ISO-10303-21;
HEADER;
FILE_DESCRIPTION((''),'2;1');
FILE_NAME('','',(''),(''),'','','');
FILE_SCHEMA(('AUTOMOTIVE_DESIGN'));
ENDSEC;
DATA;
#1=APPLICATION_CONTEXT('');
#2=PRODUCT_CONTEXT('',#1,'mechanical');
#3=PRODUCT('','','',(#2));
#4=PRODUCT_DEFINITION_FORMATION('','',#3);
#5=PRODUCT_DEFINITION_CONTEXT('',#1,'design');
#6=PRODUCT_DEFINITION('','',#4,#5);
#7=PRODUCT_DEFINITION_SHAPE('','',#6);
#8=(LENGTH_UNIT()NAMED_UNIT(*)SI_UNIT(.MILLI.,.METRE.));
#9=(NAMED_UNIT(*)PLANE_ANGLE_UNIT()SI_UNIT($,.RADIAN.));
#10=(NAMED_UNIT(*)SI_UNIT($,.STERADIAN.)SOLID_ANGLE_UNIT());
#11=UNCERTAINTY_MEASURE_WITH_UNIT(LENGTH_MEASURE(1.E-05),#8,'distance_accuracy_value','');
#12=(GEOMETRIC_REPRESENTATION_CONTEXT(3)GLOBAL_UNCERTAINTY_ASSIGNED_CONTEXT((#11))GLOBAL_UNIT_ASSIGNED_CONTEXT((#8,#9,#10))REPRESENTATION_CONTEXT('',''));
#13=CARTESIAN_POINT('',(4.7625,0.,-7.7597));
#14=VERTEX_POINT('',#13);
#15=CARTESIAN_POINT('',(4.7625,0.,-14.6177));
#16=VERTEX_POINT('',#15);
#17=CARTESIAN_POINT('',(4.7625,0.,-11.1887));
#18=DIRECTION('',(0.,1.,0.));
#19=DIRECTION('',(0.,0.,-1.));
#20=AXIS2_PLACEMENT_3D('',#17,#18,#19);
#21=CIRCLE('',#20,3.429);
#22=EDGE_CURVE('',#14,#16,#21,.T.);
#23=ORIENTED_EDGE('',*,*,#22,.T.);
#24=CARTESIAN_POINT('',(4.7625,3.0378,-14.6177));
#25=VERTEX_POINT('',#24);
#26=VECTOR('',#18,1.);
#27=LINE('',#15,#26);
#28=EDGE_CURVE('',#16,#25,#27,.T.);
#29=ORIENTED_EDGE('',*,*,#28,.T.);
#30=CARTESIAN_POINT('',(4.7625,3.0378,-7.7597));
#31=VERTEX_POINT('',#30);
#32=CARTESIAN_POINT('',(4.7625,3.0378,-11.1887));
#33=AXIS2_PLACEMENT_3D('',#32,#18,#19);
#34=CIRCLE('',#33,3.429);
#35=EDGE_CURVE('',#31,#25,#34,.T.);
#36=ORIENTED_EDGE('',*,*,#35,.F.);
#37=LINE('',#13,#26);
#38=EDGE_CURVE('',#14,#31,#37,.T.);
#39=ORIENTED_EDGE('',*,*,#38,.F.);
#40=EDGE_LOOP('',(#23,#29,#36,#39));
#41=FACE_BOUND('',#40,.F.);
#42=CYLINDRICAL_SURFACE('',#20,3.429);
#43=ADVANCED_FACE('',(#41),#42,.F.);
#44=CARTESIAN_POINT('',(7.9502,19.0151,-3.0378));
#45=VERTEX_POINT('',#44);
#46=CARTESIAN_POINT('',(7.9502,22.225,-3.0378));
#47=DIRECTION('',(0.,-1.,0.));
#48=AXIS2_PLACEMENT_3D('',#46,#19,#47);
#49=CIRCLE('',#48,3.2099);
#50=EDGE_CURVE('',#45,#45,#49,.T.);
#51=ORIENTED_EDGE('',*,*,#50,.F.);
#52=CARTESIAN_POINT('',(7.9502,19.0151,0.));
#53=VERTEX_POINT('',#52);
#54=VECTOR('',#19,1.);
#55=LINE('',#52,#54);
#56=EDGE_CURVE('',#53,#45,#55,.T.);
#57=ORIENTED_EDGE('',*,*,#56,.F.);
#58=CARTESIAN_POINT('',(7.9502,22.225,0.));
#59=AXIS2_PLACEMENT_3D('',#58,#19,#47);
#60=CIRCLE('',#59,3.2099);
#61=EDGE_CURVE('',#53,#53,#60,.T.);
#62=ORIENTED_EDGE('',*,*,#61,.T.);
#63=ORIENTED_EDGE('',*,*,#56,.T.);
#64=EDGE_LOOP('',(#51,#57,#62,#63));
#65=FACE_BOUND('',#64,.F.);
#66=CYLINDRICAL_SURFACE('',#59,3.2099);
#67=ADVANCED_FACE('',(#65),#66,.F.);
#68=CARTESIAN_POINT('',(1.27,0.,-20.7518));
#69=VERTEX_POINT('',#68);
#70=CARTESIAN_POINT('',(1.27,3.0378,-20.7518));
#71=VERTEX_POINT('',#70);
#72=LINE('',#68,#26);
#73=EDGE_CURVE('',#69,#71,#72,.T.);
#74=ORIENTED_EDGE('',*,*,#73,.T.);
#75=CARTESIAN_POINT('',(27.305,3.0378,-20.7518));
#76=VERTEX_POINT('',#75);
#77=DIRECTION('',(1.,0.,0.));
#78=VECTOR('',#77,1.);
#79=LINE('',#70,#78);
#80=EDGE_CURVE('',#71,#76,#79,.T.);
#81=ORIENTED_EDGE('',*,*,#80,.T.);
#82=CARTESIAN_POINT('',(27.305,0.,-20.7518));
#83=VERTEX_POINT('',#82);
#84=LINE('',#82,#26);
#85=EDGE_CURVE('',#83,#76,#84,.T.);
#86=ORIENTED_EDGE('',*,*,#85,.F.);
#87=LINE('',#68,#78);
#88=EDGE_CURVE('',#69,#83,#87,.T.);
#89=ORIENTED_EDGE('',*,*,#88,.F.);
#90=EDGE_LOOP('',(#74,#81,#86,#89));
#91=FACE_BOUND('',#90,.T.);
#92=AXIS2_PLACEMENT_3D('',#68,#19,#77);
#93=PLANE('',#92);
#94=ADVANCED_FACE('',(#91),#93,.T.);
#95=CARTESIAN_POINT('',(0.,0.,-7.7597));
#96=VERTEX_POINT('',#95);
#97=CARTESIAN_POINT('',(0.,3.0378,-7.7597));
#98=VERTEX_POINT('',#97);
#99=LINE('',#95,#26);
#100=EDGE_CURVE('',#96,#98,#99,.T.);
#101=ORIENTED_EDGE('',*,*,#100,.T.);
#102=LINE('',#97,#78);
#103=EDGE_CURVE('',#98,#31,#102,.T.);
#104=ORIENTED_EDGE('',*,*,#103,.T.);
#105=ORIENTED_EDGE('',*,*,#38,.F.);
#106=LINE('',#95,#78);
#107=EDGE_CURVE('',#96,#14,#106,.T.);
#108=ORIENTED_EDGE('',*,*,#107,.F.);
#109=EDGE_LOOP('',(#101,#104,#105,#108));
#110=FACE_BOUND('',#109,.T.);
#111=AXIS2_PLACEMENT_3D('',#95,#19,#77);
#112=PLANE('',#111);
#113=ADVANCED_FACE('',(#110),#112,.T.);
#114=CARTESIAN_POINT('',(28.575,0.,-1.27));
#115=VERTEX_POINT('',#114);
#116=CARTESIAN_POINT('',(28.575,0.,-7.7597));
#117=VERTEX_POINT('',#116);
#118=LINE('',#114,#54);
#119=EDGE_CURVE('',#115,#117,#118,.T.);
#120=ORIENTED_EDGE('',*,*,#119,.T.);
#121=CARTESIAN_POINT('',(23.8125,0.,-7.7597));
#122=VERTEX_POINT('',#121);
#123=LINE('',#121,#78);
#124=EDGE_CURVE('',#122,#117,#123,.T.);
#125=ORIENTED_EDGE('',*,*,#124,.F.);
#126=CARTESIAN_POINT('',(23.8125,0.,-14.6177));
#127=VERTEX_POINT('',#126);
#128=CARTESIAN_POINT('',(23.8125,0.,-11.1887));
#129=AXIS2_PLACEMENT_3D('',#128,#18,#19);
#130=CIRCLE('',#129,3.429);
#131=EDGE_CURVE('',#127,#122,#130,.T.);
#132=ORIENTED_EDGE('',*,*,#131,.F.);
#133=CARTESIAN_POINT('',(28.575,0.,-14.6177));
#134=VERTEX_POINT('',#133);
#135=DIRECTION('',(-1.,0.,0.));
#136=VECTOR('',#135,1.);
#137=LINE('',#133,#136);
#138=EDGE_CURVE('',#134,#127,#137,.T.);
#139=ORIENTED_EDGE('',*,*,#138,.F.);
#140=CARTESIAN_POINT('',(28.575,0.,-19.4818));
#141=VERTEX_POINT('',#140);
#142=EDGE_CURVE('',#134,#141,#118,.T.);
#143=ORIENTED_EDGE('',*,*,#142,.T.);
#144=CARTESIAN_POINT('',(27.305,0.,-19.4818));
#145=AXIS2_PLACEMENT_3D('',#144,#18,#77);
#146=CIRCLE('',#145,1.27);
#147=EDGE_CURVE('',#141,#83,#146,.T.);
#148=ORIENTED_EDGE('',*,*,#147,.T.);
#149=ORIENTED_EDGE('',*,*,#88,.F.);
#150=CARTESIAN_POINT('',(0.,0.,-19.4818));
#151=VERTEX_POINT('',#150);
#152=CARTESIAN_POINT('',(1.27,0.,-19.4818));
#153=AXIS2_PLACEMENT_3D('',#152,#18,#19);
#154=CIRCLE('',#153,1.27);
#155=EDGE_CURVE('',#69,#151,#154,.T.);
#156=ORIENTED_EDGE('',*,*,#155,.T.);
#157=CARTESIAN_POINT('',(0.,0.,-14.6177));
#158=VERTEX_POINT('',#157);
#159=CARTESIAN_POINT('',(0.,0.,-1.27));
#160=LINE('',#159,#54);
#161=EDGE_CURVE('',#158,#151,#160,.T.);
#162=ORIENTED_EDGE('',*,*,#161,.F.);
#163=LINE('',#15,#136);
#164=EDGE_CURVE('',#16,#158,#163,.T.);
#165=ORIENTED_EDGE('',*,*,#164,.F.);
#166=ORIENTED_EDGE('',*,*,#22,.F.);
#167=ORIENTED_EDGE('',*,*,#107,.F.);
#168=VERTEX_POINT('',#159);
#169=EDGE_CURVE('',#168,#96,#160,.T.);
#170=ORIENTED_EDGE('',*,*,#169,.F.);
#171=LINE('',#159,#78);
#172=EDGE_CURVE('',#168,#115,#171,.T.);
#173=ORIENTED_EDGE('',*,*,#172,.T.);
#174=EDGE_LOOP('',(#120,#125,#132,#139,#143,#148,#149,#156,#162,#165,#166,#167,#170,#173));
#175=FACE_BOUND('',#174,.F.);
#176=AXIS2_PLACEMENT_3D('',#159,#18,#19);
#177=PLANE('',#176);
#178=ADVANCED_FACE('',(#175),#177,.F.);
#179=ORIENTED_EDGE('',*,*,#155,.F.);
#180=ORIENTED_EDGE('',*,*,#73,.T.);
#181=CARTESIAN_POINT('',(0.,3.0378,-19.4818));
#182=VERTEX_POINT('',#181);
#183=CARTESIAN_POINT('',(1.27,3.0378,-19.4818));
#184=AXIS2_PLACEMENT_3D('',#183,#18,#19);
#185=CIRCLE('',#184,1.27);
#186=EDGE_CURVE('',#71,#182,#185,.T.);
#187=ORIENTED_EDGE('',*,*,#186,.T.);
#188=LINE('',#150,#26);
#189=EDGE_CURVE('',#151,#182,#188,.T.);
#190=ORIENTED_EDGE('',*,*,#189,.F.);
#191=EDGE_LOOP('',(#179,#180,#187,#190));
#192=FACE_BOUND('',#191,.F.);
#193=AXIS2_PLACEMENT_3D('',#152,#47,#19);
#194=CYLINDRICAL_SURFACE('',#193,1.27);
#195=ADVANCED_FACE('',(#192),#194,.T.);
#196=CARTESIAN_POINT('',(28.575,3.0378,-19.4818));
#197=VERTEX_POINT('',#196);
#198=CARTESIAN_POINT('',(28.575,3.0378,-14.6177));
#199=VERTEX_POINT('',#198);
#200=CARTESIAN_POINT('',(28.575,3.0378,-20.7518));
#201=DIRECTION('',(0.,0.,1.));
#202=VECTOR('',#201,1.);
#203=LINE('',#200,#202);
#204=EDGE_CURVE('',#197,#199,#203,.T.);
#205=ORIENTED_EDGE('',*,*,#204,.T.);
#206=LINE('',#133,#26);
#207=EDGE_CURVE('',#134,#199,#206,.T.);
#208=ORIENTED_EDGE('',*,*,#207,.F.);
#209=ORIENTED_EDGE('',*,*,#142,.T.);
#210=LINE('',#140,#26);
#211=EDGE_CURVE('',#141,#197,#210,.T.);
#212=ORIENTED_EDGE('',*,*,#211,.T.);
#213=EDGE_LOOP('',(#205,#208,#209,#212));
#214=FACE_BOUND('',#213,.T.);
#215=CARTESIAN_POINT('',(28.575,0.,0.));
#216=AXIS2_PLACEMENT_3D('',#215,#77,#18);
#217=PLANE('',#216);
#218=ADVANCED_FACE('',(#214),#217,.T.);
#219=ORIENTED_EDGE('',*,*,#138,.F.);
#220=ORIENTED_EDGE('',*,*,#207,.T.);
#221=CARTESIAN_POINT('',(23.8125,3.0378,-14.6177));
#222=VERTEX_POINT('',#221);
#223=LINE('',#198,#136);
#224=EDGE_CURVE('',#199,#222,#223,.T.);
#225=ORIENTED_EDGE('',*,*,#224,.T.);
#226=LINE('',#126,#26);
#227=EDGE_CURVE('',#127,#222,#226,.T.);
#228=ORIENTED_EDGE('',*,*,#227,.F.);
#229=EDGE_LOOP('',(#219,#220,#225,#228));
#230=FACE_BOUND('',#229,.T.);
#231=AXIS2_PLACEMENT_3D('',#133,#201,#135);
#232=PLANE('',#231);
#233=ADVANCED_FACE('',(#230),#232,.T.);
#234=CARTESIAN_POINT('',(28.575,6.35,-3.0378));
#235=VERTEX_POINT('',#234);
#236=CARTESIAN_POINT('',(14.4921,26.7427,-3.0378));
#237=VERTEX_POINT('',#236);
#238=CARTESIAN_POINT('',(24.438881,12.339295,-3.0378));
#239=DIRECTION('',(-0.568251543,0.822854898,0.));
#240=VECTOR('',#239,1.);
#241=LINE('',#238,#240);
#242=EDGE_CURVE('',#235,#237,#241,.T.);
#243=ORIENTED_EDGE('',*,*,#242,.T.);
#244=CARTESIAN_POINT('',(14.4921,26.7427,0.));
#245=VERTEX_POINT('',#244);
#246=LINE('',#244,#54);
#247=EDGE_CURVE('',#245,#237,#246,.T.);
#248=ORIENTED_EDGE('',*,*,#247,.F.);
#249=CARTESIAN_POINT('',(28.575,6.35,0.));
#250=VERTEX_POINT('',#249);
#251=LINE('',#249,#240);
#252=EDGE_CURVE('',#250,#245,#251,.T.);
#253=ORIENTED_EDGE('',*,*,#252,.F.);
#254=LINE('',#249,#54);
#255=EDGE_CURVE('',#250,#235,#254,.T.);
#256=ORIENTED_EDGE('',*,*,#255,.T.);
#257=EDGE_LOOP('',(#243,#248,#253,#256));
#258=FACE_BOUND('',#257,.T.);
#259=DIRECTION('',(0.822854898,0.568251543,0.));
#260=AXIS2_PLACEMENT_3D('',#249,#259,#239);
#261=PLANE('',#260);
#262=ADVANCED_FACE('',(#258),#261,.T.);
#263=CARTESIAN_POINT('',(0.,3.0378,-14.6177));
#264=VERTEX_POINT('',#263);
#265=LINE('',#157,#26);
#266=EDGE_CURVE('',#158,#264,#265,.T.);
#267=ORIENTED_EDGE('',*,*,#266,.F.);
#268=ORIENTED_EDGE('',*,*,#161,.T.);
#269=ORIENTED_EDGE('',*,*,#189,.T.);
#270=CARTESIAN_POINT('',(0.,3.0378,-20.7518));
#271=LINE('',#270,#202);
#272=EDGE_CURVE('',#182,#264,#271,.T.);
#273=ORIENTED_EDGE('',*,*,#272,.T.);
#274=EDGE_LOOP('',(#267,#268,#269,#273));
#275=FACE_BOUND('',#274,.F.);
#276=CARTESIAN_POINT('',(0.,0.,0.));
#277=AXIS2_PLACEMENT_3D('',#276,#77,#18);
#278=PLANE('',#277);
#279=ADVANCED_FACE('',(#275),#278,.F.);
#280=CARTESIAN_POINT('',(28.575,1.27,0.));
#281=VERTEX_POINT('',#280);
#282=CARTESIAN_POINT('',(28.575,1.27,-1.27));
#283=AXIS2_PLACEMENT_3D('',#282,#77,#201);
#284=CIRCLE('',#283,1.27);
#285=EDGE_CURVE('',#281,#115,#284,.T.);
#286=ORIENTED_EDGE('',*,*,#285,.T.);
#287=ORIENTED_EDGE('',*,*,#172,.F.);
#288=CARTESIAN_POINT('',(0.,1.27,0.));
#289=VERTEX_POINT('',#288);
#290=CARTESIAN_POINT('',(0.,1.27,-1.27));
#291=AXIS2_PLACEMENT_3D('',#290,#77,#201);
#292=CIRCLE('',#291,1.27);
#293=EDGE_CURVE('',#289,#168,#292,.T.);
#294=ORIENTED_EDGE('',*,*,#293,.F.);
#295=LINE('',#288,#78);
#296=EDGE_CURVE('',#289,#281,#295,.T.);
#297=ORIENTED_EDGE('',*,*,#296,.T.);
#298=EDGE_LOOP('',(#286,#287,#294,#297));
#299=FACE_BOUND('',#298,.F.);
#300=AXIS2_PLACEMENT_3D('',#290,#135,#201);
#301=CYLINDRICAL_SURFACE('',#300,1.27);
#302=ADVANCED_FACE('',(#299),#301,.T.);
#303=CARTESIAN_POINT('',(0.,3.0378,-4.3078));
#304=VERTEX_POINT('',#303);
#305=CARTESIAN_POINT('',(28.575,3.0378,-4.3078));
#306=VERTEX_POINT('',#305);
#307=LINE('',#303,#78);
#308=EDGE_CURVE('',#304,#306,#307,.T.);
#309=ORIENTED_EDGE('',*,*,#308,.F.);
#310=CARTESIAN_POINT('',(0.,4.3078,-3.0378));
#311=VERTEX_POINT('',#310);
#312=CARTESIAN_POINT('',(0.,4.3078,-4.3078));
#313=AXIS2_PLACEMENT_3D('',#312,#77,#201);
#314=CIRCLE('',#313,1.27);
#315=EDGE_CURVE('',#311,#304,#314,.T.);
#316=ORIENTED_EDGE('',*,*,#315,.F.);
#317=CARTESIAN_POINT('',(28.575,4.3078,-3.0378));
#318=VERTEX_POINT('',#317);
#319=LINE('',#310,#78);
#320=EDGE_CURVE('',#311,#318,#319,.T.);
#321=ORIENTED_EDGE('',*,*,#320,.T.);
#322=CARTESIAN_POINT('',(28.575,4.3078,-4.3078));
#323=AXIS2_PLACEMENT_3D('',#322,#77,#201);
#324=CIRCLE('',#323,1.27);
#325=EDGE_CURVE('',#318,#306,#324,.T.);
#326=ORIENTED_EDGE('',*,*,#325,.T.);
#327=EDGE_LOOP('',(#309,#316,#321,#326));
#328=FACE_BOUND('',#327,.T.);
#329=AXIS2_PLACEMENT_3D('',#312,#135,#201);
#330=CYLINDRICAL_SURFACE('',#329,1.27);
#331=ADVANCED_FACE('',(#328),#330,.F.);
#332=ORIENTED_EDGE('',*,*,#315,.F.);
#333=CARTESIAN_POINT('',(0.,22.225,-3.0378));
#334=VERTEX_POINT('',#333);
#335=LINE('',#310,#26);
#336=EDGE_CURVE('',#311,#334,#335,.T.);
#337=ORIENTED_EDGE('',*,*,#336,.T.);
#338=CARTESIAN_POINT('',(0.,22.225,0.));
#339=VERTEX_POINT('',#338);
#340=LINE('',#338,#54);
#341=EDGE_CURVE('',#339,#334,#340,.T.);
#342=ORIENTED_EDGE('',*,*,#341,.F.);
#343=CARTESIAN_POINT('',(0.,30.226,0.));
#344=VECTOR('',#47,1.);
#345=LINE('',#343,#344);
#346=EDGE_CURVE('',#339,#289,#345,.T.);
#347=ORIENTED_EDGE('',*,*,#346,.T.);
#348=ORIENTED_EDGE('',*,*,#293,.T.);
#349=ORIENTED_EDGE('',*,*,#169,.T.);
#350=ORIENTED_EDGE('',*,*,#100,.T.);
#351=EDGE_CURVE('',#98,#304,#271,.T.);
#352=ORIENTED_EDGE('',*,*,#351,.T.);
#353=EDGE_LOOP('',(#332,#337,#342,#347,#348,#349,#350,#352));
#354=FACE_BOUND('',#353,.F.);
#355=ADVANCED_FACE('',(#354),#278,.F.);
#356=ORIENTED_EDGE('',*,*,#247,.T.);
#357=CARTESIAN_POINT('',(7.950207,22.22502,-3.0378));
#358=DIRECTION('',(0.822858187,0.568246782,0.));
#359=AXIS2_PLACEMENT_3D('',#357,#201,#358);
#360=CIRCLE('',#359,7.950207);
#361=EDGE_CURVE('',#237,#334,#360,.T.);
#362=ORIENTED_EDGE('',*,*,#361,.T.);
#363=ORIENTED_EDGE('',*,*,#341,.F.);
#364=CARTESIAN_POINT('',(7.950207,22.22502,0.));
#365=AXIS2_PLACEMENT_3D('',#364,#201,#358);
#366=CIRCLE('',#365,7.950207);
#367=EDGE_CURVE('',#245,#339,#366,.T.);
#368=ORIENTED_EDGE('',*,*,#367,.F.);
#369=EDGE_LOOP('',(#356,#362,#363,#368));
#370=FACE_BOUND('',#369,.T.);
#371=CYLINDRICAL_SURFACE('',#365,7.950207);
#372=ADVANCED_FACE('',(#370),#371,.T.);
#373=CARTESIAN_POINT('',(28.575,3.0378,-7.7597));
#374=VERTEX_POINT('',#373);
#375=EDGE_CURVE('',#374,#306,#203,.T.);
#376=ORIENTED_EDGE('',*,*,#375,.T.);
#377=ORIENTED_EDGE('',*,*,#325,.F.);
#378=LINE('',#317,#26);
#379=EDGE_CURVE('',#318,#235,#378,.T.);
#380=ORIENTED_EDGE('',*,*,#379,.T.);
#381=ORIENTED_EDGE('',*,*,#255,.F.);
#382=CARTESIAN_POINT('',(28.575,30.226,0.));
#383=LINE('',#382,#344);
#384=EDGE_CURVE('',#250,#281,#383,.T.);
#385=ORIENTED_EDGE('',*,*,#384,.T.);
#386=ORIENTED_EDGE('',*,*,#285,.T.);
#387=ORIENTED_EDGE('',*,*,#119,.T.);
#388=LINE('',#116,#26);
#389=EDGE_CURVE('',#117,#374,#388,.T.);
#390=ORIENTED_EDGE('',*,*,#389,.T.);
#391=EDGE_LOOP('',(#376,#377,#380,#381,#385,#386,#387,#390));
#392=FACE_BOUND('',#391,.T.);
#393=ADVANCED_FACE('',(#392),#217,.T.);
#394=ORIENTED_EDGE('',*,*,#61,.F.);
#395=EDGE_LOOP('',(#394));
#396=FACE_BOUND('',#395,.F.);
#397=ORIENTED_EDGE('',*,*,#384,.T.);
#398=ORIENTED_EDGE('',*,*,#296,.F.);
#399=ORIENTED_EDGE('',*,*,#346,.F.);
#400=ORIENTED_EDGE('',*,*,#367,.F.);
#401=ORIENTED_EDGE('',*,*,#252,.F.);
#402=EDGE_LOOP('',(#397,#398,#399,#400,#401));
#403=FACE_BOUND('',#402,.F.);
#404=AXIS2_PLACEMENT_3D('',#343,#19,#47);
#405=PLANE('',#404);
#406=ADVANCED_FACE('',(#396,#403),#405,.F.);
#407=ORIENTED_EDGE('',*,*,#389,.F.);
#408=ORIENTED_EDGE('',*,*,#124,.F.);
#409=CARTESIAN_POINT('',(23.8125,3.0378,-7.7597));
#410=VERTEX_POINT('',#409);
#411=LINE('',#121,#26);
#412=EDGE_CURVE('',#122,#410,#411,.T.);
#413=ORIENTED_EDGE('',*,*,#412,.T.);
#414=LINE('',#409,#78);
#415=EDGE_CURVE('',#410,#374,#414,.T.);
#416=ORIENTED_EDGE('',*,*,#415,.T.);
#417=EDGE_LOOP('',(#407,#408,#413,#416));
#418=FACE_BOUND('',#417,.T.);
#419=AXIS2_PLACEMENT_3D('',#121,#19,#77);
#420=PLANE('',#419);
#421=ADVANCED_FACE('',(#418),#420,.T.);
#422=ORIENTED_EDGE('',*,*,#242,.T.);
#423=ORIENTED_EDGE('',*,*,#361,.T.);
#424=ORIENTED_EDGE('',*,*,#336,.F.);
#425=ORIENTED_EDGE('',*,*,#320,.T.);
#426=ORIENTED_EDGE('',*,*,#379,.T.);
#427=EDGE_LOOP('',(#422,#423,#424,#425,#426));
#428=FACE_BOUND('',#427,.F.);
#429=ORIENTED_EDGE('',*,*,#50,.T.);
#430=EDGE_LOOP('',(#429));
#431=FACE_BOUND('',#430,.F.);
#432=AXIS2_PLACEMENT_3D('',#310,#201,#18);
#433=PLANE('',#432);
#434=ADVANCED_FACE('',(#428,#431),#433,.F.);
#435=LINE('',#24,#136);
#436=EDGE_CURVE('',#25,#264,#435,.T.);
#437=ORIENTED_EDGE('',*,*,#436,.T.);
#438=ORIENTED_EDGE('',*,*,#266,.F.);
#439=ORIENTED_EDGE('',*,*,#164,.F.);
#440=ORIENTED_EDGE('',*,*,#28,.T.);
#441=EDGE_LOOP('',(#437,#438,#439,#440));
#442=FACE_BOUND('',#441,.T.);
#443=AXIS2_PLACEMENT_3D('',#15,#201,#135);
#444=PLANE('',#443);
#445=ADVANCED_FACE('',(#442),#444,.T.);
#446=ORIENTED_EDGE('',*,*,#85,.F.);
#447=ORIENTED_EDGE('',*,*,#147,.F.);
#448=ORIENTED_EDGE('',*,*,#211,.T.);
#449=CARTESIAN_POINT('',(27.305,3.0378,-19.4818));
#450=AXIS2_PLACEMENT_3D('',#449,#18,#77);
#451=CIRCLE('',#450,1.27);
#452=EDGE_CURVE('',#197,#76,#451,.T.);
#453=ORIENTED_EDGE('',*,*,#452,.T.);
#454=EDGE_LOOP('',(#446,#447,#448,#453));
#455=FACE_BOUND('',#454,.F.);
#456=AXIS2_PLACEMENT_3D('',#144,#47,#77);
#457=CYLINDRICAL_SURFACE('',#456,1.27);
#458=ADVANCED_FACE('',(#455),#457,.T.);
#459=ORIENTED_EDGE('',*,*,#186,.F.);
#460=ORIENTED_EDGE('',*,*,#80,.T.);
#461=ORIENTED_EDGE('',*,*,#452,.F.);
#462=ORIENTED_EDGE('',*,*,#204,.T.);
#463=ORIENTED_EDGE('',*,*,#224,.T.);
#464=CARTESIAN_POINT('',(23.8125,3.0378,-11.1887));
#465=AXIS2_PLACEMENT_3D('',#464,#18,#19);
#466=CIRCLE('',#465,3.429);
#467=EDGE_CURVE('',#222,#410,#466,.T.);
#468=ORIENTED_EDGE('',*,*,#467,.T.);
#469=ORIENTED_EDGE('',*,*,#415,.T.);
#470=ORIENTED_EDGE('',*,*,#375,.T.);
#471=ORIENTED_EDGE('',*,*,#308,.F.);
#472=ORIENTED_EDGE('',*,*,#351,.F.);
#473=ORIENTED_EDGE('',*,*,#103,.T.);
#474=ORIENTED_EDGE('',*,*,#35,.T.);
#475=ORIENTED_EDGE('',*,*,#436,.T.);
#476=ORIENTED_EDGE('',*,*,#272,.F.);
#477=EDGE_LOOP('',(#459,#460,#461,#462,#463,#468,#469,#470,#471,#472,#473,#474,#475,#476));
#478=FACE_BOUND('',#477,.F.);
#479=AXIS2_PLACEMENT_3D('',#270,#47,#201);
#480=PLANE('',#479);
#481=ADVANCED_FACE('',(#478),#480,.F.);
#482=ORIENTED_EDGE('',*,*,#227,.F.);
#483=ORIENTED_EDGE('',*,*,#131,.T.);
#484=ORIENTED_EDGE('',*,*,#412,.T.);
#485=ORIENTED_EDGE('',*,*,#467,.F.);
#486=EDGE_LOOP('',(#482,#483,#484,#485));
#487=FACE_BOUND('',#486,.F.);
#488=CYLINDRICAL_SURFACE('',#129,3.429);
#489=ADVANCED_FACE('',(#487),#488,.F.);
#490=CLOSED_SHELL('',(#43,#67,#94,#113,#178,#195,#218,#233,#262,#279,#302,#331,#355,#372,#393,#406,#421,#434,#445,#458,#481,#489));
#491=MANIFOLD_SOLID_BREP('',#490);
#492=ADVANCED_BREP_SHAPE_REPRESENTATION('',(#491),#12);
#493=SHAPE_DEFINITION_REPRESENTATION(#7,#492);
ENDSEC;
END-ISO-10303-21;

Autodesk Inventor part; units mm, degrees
sketch "Sketch_1" plane through (0, 0, 0) normal (1, 0, 0) x (0, 1, 0)
  line L0 (30.226, 0) -> (1.27, 0)
  arc A0 (1.27, 0) -> (0, -1.27) centre (1.27, -1.27) ccw
  line L1 (0, -1.27) -> (0, -20.7518)
  line L2 (0, -20.7518) -> (3.0378, -20.7518)
  line L3 (3.0378, -20.7518) -> (3.0378, -4.3078)
  arc A1 (4.3078, -3.0378) -> (3.0378, -4.3078) centre (4.3078, -4.3078) ccw
  line L4 (4.3078, -3.0378) -> (30.226, -3.0378)
  line L5 (30.226, -3.0378) -> (30.226, 0)
extrude "Extrusion1" add sketch "Sketch_1" along normal blind 28.575
sketch "Sketch_2" plane through (0, 0, 0) normal (0, 0, 1) x (1, 0, 0)
  line L0 (-28.575, -30.226) -> (42.8625, -30.226)
  line L1 (42.8625, -30.226) -> (42.8625, 45.339)
  line L2 (42.8625, 45.339) -> (-28.575, 45.339)
  line L3 (-28.575, 45.339) -> (-28.575, -30.226)
  line L4 (0, 0) -> (28.575, 0)
  line L5 (28.575, 0) -> (28.575, 6.35)
  line L6 (28.575, 6.35) -> (14.4921, 26.7427)
  arc A0 (14.4921, 26.7427) -> (0, 22.225) centre (7.9502, 22.225) ccw
  line L7 (0, 22.225) -> (0, 0)
extrude "Extrusion2" cut sketch "Sketch_2" against normal blind 20.7518
sketch "Sketch3" plane through (0, 1.27, 0) normal (0, 0, 1) x (1, 0, 0)
  point P0 (7.9502, 20.955)
hole "Hole1" at (7.9502, 22.225, 0) direction (0, 0, -1) diameter 6.4198 depth 3.0378
sketch "Sketch4" plane through (0, 0, -20.7518) normal (0, -1, 0) x (1, 0, 0)
  point P0 (4.7625, 9.5631)
hole "Hole2" at (4.7625, 0, -11.1887) direction (0, 1, 0) diameter 6.858 depth 3.0378
sketch "Sketch5" plane through (0, 0, -20.7518) normal (0, -1, 0) x (1, 0, 0)
  point P0 (23.8125, 9.5631)
hole "Hole3" at (23.8125, 0, -11.1887) direction (0, 1, 0) diameter 6.858 depth 3.0378
sketch "Sketch_6" plane through (0, 0, 0) normal (0, 1, 0) x (-1, 0, 0)
  line L0 (0, -14.6177) -> (0, -7.7597)
  line L1 (0, -7.7597) -> (-4.7625, -7.7597)
  line L2 (-4.7625, -7.7597) -> (-4.7625, -14.6177)
  line L3 (-4.7625, -14.6177) -> (0, -14.6177)
sketch "Sketch_7" plane through (0, 0, 0) normal (0, 1, 0) x (-1, 0, 0)
  line L0 (-23.8125, -14.6177) -> (-23.8125, -7.7597)
  line L1 (-23.8125, -7.7597) -> (-28.575, -7.7597)
  line L2 (-28.575, -7.7597) -> (-28.575, -14.6177)
  line L3 (-28.575, -14.6177) -> (-23.8125, -14.6177)
extrude "Extrusion3" cut sketch "Sketch_6" along normal blind 3.0378
extrude "Extrusion4" cut sketch "Sketch_7" along normal blind 3.0378
sketch "Sketch_8" plane through (0, 0, 0) normal (0, 1, 0) x (-1, 0, 0)
  line L0 (0, -31.1277) -> (0, -19.4818)
  arc A0 (-1.27, -20.7518) -> (0, -19.4818) centre (-1.27, -19.4818) ccw
  line L1 (-1.27, -20.7518) -> (-27.305, -20.7518)
  arc A1 (-28.575, -19.4818) -> (-27.305, -20.7518) centre (-27.305, -19.4818) ccw
  line L2 (-28.575, -19.4818) -> (-28.575, -31.1277)
  line L3 (-28.575, -31.1277) -> (0, -31.1277)
extrude "Extrusion5" cut sketch "Sketch_8" along normal blind 3.0378
ref_plane "to_dummy_R_XY" through (0, 0, 0) normal (0, 0, 1) x (1, 0, 0)
ref_plane "to_dummy_R_YZ" through (0, 0, 0) normal (1, 0, 0) x (0, 1, 0)
ref_plane "to_dummy_R_ZX" through (0, 0, 0) normal (0, 1, 0) x (0, 0, 1)
ref_plane "to_pin_R_XY" through (7.9502, 22.225, 0) normal (0, 0, 1) x (1, 0, 0)
ref_plane "to_pin_R_YZ" through (7.9502, 22.225, 0) normal (1, 0, 0) x (0, 1, 0)
ref_plane "to_pin_R_ZX" through (7.9502, 22.225, 0) normal (0, 1, 0) x (0, 0, 1)
properties part number "D-9966"
